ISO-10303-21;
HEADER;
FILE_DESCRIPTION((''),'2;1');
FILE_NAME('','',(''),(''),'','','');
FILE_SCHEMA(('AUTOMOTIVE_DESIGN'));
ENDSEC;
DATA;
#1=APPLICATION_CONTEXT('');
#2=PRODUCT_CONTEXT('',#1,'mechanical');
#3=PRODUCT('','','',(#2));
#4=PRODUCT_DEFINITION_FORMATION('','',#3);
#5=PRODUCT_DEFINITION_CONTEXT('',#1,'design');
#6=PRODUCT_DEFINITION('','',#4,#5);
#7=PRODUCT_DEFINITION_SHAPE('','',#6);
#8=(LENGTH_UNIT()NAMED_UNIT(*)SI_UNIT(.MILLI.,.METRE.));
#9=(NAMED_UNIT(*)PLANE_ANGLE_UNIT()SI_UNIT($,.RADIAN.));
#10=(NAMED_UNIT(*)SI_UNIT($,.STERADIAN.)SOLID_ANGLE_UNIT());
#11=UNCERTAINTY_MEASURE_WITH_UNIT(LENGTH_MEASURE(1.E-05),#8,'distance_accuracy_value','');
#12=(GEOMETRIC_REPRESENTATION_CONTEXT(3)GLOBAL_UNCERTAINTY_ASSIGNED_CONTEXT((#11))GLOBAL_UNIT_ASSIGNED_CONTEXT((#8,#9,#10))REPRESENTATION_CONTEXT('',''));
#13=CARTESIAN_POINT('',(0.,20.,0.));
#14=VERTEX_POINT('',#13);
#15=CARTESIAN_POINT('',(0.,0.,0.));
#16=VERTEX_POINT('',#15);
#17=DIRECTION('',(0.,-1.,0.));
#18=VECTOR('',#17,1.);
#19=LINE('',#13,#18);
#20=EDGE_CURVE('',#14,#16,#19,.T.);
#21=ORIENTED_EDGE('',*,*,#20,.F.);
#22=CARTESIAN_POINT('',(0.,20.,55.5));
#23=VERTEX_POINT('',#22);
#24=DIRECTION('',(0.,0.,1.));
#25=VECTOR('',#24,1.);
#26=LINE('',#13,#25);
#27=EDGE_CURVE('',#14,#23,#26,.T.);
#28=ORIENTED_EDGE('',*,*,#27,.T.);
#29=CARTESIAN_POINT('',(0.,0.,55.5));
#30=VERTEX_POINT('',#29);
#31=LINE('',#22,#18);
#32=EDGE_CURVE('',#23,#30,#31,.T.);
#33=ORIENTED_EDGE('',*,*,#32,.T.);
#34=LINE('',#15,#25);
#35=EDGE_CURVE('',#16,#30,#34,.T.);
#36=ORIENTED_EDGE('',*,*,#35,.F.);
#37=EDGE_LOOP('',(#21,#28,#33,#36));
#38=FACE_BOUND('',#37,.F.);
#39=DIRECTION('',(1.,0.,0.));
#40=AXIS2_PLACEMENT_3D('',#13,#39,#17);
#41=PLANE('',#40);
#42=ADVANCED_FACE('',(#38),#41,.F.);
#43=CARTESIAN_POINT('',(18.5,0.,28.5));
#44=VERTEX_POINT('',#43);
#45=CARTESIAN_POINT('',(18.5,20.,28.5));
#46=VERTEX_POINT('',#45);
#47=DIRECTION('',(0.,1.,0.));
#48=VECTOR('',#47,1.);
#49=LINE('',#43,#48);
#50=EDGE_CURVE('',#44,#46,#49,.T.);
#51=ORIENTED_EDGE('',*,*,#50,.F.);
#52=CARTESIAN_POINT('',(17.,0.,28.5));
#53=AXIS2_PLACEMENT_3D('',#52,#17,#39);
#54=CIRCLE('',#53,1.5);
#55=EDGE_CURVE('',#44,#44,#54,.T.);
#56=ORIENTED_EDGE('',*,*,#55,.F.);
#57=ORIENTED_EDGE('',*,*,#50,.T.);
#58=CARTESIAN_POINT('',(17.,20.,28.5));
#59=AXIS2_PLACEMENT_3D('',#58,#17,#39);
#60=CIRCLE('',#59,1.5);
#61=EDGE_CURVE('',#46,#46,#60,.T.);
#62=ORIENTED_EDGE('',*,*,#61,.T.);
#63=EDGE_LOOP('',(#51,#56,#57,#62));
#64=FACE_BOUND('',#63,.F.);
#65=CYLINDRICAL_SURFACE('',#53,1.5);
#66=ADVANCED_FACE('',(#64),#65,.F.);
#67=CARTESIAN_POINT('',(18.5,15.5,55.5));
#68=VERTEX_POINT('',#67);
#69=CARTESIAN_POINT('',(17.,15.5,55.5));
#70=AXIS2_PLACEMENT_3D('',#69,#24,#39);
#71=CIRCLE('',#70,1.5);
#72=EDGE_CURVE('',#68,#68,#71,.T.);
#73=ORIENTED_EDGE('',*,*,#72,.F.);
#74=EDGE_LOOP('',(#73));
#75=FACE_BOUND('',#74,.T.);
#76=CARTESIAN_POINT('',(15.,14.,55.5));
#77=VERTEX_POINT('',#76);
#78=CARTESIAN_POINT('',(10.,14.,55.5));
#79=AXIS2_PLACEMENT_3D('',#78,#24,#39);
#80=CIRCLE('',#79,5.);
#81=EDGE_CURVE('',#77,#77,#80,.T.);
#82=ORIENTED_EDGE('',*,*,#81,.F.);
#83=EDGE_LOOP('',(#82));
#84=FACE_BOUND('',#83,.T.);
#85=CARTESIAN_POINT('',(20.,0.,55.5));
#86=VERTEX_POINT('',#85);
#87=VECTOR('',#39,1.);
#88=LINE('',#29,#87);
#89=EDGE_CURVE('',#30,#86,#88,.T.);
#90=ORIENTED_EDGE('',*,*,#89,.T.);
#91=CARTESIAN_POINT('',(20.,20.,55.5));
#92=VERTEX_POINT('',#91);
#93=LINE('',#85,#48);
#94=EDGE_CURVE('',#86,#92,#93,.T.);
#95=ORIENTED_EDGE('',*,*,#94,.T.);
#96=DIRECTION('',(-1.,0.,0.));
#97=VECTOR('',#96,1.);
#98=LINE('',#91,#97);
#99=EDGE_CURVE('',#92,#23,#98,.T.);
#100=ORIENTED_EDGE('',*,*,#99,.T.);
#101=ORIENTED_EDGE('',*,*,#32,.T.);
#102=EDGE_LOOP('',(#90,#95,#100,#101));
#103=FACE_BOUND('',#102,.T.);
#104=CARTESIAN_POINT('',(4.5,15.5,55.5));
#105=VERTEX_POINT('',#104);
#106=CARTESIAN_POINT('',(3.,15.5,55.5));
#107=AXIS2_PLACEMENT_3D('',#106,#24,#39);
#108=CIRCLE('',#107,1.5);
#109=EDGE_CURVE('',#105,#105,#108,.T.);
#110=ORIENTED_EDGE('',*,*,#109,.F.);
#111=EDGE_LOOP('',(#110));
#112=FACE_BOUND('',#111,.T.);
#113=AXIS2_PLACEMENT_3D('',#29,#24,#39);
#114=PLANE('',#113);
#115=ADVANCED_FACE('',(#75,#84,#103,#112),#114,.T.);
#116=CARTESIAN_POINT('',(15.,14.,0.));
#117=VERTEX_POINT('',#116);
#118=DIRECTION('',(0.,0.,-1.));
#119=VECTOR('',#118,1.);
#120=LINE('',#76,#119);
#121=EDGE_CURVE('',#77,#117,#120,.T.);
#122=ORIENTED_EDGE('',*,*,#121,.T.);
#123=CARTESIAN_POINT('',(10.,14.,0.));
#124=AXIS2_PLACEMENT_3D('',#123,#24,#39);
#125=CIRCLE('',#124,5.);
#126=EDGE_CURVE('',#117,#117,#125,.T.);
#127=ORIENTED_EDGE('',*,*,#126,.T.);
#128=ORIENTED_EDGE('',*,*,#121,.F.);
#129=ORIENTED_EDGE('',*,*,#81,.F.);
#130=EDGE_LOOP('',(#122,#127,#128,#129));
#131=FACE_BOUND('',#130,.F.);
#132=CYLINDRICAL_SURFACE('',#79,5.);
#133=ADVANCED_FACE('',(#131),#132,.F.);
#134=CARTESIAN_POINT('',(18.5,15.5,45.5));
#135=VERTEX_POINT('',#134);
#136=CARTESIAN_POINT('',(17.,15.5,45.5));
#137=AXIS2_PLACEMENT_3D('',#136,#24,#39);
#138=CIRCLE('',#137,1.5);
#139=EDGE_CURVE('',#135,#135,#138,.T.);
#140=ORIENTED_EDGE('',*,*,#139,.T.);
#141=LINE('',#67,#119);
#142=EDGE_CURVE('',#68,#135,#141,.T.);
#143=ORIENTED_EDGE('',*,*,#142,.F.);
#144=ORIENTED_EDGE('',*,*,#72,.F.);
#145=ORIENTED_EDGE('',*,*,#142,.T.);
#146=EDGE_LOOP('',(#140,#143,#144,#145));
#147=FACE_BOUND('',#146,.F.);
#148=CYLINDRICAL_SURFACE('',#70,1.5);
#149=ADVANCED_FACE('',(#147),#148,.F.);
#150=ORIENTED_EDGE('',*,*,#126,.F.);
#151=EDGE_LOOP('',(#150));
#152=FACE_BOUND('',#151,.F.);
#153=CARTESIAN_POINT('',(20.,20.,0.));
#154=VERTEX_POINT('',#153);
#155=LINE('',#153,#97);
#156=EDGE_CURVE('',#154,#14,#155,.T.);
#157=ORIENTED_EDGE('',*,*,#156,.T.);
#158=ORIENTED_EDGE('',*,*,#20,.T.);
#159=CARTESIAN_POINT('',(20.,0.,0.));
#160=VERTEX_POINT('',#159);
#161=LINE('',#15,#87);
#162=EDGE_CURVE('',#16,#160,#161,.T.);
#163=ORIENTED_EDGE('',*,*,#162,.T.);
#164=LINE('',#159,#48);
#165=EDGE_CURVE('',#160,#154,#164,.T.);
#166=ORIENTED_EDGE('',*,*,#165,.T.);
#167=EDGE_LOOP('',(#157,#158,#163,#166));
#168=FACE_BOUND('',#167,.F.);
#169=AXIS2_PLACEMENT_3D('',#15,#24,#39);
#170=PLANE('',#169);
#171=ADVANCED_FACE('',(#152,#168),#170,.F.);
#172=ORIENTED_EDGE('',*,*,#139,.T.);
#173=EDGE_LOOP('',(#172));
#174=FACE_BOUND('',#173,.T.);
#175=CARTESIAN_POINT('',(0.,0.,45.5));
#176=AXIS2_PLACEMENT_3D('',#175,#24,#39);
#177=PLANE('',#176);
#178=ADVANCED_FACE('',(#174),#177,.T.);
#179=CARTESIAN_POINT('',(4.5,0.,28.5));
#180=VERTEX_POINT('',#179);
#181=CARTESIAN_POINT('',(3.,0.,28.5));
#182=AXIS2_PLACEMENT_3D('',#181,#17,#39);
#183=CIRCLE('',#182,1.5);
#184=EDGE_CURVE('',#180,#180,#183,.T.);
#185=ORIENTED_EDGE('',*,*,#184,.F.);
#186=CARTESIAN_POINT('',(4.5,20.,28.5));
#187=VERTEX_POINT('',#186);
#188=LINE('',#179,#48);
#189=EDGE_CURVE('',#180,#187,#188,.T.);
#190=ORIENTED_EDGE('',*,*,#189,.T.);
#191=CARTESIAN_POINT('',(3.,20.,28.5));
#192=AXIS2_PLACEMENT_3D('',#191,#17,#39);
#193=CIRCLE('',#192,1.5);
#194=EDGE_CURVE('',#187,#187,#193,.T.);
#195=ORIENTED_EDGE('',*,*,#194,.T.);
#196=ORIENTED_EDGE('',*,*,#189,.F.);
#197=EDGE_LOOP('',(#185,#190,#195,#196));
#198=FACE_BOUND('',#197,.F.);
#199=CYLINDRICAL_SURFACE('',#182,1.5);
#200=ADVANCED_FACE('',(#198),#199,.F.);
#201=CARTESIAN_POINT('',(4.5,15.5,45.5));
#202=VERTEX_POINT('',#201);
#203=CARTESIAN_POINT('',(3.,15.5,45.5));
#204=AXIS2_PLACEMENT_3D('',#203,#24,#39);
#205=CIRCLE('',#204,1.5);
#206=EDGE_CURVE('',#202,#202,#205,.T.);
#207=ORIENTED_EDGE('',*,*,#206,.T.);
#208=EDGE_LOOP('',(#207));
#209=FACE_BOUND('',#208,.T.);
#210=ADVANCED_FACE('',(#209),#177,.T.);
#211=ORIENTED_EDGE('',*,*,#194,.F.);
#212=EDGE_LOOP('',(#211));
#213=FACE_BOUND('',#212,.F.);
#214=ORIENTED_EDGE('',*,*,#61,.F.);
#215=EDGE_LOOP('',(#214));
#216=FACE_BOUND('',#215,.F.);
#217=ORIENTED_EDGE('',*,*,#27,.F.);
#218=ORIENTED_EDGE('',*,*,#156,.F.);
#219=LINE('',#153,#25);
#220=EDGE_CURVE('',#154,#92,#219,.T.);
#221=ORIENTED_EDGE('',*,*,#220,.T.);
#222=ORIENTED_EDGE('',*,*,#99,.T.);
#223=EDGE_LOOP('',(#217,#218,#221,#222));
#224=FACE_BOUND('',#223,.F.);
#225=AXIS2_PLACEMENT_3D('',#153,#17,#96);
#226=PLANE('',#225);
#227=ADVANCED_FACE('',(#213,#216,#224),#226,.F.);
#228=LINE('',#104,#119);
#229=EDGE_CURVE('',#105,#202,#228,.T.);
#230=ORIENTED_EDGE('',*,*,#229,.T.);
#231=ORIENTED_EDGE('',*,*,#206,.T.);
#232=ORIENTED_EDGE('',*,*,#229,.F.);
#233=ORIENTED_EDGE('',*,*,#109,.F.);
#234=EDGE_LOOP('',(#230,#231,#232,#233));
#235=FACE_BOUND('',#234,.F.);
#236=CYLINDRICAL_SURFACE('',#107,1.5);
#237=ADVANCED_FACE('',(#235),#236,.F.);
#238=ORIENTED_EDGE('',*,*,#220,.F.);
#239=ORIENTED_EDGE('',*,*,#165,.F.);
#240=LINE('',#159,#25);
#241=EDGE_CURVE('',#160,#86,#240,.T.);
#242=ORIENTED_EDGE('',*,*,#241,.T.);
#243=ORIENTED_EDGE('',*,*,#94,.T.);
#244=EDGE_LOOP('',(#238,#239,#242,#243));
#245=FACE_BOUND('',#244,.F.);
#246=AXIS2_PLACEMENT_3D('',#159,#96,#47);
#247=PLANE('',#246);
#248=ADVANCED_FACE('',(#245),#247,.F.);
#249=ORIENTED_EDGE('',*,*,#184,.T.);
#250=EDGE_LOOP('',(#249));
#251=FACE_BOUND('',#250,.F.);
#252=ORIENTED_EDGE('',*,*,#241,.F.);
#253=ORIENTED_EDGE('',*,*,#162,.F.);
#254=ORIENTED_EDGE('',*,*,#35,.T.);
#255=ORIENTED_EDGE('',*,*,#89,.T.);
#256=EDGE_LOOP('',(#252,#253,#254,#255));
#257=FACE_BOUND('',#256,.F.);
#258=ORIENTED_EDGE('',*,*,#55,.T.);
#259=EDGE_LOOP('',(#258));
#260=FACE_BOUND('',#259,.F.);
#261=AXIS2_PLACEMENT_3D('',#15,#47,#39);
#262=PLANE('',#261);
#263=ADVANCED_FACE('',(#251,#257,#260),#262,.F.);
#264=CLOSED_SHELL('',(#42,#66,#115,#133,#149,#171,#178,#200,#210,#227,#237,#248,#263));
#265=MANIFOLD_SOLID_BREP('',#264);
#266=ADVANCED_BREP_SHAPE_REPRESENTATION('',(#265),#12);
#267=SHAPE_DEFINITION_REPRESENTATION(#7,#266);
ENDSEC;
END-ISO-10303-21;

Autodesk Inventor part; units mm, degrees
ref_plane "YZ Plane" through (0, 0, 0) normal (1, 0, 0) x (0, 1, 0)
ref_plane "XZ Plane" through (0, 0, 0) normal (0, 1, 0) x (-1, 0, 0)
ref_plane "XY Plane" through (0, 0, 0) normal (0, 0, 1) x (1, 0, 0)
sketch "Sketch1" plane through (0, 0, 0) normal (0, 0, 1) x (1, 0, 0)
  line L0 (0, 0) -> (20, 0)
  line L1 (20, 0) -> (20, 20)
  line L2 (20, 20) -> (0, 20)
  line L3 (0, 20) -> (0, 0)
  dimension "d0" = 20
  dimension "d1" = 20
extrude "Extrusion1" add sketch "Sketch1" along normal blind 55.5
sketch "Sketch2" plane through (0, 0, 0) normal (0, -1, 0) x (1, 0, 0)
  circle A0 centre (17, 28.5) radius 1.5
  circle A1 centre (3, 28.5) radius 1.5
  line L0 (0, 0) -> (20, 0) projected
  dimension "d4" = 14
  dimension "d5" = 3
  dimension "d6" = 28.5
  dimension "d7" = 3
  dimension "d8" = 3
extrude "Extrusion2" cut sketch "Sketch2" against normal through all
sketch "Sketch3" plane through (0, 0, 55.5) normal (0, 0, 1) x (1, 0, 0)
  circle A0 centre (17, 15.5) radius 1.5
  circle A1 centre (3, 15.5) radius 1.5
  line L0 (0, 20) -> (0, 0) projected
  line L1 (20, 0) -> (20, 20) projected
  line L2 (20, 20) -> (0, 20) projected
  dimension "d11" = 3
  dimension "d12" = 3
  dimension "d13" = 14
  dimension "d14" = 3
  dimension "d15" = 3
  dimension "d22" = 4.5
extrude "Extrusion3" cut sketch "Sketch3" against normal blind 10
sketch "Sketch4" plane through (0, 0, 55.5) normal (0, 0, 1) x (1, 0, 0)
  circle A0 centre (10, 14) radius 5
  line L0 (20, 20) -> (0, 20) projected
  point P0 (0, 0)
  point P1 (10, 20)
  dimension "d18" = 6
  dimension "d19" = 10
extrude "Extrusion4" cut sketch "Sketch4" against normal through all
sketch "Sketch5" plane through (0, 20, 0) normal (0, 1, 0) x (1, 0, 0)
  point P0 (0, 0)
properties part number "BLOQUE_PRESION"
